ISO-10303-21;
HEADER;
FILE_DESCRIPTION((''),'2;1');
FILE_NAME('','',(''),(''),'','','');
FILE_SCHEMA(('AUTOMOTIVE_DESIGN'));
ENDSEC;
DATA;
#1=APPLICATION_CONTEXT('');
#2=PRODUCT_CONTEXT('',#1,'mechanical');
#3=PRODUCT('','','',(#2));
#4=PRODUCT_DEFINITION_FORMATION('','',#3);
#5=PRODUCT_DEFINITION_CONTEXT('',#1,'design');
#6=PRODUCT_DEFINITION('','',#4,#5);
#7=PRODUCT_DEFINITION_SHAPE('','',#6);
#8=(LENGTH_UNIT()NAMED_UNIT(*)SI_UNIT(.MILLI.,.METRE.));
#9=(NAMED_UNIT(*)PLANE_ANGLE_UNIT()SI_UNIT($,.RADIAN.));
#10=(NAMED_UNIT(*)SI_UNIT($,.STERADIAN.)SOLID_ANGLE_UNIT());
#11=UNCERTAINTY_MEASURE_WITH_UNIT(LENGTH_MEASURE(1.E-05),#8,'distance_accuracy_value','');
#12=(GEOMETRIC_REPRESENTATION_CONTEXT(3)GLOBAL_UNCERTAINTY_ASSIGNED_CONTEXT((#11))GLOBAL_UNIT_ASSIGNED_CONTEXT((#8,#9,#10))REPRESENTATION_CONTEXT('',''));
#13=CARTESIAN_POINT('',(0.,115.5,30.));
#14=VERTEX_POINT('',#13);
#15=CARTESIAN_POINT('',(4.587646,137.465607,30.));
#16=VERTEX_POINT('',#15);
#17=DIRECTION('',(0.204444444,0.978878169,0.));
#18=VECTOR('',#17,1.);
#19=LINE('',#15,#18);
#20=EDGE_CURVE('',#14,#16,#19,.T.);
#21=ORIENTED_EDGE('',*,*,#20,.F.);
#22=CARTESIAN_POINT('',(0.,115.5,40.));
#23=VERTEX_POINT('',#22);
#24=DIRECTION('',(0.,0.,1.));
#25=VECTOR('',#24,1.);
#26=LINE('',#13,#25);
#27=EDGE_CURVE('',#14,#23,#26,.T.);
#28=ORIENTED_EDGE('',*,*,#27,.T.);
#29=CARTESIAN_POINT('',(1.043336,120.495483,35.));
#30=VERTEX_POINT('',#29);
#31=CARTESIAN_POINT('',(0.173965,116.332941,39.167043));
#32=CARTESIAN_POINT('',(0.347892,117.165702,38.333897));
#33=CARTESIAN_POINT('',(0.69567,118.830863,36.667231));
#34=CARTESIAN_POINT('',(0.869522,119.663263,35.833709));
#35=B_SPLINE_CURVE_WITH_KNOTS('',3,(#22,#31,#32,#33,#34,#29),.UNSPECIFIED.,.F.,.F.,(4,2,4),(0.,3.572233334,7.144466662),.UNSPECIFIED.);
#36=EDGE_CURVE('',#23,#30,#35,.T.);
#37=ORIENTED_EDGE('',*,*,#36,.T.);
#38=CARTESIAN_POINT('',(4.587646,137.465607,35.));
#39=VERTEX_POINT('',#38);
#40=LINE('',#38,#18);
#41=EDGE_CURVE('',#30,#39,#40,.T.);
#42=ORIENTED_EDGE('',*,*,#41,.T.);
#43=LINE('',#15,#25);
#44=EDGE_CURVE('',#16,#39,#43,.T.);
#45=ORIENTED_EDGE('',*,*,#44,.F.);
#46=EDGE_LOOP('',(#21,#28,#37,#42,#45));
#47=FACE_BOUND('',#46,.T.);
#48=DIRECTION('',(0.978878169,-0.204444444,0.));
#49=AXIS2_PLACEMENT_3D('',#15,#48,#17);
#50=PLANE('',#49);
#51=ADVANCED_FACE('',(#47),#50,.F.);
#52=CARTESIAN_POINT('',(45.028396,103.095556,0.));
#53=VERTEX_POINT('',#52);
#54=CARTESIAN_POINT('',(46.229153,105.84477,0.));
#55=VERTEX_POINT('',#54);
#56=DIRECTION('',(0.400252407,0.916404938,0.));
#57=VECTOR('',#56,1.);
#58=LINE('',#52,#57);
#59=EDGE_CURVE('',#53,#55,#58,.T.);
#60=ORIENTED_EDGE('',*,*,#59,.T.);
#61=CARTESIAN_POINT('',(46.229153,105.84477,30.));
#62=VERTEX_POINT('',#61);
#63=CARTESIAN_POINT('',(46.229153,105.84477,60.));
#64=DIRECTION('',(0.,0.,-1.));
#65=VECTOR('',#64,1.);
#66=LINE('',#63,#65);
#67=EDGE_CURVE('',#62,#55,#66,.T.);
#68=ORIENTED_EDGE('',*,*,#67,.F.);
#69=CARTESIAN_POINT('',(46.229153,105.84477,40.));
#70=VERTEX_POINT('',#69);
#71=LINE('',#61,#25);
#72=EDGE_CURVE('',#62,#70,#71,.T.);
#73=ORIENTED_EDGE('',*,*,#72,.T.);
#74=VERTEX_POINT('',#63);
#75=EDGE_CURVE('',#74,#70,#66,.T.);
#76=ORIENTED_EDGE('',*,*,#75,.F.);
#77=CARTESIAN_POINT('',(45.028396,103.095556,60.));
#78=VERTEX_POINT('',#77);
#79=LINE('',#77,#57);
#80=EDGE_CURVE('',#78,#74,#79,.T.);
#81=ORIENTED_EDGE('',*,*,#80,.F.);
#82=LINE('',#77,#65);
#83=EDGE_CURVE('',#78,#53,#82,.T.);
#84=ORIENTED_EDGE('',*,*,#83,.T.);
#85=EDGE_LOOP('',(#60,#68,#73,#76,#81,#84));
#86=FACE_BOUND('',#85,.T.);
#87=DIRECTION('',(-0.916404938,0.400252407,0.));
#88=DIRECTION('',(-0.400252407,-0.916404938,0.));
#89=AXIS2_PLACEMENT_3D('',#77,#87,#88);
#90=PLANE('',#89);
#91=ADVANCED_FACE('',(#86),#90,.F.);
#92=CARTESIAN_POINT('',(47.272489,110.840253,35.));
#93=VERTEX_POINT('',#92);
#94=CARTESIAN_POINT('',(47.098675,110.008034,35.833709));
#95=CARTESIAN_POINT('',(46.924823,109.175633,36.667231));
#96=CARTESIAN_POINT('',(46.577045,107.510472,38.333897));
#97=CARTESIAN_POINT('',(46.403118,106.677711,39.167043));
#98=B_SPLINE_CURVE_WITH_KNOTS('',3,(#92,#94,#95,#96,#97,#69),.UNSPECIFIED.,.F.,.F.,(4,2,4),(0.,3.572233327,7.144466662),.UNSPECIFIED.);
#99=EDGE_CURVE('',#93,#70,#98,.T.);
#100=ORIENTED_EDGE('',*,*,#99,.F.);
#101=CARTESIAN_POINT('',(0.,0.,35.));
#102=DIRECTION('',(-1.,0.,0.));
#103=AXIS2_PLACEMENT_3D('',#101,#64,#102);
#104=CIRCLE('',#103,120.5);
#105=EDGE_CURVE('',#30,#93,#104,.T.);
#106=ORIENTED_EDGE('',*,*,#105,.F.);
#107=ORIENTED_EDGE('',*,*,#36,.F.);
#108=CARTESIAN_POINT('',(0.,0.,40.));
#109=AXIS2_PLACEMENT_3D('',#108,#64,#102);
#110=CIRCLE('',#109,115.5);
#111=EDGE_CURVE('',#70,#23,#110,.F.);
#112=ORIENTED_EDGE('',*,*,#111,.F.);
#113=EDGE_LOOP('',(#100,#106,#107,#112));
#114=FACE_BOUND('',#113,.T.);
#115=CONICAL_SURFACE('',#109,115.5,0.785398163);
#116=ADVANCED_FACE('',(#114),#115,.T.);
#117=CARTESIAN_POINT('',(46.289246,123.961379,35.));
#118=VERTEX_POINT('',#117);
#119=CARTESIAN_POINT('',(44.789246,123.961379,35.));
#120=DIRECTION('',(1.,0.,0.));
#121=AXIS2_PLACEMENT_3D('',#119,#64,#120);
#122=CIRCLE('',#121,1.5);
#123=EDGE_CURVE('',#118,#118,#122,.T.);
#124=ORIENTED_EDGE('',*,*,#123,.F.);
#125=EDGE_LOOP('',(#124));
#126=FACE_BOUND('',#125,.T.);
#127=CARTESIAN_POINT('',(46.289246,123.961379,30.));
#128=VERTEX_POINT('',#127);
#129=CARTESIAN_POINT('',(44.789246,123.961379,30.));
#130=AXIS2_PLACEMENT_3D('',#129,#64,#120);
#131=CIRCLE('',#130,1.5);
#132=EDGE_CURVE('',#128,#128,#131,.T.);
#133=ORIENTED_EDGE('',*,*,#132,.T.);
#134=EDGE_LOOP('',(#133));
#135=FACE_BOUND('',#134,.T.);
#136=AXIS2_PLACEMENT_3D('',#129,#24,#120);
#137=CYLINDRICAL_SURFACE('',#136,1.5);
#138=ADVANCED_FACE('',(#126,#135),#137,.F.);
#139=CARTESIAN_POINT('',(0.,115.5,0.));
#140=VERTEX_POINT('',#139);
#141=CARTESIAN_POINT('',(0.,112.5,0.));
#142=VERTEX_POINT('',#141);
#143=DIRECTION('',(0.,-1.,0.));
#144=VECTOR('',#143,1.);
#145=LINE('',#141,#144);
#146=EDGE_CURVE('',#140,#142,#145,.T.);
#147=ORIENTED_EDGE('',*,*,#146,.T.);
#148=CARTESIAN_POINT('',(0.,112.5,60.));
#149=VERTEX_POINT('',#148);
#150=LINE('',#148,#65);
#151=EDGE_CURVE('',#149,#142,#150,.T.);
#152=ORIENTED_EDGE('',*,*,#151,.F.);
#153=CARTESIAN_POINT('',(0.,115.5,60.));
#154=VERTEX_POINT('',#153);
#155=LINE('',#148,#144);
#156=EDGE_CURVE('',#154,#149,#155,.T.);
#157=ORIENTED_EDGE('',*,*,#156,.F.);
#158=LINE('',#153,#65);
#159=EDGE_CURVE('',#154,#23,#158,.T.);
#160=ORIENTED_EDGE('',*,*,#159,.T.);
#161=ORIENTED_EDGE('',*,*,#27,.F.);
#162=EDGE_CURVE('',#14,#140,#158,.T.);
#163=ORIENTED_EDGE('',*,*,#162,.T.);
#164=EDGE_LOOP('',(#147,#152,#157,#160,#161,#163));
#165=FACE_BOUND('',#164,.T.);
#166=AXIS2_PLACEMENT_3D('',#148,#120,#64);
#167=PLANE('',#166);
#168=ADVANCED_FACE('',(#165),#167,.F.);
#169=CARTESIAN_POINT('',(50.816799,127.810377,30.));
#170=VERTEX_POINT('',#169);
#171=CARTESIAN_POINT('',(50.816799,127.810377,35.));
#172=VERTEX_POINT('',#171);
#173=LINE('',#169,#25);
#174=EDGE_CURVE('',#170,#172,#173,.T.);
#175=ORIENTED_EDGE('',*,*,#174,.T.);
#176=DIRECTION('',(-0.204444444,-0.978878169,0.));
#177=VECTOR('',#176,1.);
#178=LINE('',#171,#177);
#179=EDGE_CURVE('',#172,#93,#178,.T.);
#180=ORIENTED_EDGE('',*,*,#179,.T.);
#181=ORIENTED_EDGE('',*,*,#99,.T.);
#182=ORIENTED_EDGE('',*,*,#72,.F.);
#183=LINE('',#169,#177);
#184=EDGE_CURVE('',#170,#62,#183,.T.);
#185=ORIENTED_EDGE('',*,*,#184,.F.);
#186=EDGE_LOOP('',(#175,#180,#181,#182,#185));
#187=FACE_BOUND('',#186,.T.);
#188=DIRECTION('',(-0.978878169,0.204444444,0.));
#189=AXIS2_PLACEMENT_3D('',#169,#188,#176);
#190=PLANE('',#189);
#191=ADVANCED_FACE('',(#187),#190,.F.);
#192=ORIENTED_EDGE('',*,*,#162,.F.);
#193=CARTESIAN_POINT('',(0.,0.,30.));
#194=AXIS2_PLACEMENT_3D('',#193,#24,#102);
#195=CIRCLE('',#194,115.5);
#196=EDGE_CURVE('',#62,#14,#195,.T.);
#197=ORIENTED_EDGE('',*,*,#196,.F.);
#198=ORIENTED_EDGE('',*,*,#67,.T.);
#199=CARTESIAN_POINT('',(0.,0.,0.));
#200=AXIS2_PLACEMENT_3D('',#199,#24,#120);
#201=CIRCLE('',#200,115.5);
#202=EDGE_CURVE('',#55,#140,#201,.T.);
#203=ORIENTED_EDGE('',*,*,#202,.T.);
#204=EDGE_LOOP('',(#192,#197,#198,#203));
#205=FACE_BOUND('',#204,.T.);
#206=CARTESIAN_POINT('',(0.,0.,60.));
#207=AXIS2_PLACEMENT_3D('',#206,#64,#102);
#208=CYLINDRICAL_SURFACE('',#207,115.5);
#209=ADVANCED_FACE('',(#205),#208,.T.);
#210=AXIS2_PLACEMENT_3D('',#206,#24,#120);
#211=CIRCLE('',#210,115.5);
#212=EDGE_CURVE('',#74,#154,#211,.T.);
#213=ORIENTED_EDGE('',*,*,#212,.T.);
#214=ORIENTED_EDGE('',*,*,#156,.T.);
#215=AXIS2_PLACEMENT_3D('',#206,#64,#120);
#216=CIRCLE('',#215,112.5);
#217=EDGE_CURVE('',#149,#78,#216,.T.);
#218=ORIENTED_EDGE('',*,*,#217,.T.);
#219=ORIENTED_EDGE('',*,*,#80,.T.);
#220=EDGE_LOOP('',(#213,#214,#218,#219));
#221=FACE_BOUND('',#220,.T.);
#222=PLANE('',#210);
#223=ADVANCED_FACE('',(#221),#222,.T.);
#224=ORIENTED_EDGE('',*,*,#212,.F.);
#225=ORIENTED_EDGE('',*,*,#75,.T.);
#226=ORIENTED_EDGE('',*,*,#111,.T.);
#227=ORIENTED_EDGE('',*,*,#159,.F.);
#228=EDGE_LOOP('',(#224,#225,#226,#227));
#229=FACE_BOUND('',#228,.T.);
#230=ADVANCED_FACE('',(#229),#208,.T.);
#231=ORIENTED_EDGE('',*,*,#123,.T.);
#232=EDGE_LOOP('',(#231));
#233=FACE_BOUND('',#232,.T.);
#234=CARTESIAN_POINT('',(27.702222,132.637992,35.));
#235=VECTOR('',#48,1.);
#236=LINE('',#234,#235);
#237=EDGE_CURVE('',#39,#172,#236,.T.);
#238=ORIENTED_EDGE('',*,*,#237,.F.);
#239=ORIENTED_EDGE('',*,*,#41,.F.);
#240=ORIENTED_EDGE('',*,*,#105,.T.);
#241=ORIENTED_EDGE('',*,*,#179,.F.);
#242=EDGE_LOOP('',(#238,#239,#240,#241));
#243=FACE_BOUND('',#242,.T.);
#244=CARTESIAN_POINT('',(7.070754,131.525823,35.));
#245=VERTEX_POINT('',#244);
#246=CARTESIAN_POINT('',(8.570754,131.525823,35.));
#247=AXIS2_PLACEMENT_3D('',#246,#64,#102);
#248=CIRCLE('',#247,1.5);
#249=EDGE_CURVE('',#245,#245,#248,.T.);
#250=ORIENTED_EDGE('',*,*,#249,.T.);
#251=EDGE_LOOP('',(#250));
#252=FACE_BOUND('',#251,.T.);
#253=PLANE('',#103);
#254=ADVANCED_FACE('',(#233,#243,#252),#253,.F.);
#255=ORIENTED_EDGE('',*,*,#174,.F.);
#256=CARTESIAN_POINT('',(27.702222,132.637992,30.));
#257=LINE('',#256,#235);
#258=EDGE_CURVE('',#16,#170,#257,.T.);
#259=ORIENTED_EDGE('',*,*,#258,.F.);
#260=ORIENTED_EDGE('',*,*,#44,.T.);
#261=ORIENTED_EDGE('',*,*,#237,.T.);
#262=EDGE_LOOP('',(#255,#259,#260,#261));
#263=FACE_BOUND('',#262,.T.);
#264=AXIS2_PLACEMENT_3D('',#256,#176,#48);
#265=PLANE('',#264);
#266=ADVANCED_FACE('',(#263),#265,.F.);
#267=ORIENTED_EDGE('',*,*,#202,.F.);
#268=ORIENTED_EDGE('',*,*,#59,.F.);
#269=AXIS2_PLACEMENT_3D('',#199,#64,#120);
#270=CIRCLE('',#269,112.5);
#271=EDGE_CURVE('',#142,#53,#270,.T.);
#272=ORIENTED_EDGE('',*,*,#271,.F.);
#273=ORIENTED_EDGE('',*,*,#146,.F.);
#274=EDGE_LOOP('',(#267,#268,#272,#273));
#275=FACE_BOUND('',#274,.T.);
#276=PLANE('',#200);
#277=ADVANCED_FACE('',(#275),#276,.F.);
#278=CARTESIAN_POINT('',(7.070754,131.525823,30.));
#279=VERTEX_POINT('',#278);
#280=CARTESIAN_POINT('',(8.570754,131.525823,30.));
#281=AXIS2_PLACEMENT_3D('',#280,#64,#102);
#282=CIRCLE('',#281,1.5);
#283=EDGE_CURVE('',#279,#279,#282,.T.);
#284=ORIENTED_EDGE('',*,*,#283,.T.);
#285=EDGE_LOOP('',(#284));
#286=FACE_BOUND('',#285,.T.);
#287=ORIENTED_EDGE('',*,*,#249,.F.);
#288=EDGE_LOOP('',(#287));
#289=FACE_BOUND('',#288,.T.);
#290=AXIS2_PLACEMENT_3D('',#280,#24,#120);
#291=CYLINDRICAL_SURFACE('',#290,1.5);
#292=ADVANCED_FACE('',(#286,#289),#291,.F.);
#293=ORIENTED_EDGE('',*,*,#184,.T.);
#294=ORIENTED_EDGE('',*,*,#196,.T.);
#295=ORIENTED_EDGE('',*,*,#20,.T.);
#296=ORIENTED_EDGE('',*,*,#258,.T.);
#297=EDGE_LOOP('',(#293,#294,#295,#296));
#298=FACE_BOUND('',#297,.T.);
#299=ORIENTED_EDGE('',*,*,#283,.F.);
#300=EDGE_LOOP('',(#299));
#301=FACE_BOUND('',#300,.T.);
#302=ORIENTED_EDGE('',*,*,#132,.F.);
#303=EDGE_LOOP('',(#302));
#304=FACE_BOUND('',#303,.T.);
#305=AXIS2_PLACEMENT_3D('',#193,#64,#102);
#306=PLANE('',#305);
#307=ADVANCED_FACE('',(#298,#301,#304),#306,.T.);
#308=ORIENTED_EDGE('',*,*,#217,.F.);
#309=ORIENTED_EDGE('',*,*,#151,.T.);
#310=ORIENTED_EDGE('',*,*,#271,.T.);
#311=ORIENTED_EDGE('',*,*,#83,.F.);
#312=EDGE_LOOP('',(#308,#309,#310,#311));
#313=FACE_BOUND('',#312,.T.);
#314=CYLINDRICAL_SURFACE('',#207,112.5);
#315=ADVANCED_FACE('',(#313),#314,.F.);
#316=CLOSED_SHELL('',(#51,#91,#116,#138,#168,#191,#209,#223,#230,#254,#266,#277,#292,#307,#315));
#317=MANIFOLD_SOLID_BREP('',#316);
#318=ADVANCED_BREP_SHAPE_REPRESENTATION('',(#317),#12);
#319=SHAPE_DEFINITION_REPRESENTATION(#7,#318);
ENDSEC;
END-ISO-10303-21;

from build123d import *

# Parameters (mm, degrees)
EXTRUDE_1_DEPTH = 60
EXTRUDE_START   = 5
SKETCH_2_R      = 1.5
EXTRUDE_2_DEPTH = 5
CHAMFER_1_SIZE  = 5


with BuildPart() as part:
    # 草图1 → 凸台-拉伸1 (new body)
    with BuildSketch(Plane.XY):
        with BuildLine():
            Line((0, 112.5), (0, 115.5))
            ThreePointArc((0, 115.5), (23.613333333, 113.060428484), (46.22915298, 105.84477037))
            Line((46.22915298, 105.84477037), (45.02839576, 103.095555556))
            ThreePointArc((45.02839576, 103.095555556), (23, 110.123793978), (0, 112.5))
        make_face()
    extrude(amount=EXTRUDE_1_DEPTH)

    # 草图2 → 凸台-拉伸2 (add)
    with BuildSketch(Plane(origin=(0, 0, 35), x_dir=(-1, 0, 0), z_dir=(0, 0, -1)).offset(EXTRUDE_START)):
        with BuildLine():
            Line((-27.702222222, 132.637991857), (-4.587645732, 137.465606672))
            Line((-4.587645732, 137.465606672), (0, 115.5))
            ThreePointArc((0, 115.5), (-23.613333333, 113.060428484), (-46.22915298, 105.84477037))
            Line((-46.22915298, 105.84477037), (-50.816798712, 127.810377043))
            Line((-50.816798712, 127.810377043), (-27.702222222, 132.637991857))
        make_face()
        with Locations((-8.570753879, 131.525823236)):
            Circle(SKETCH_2_R, mode=Mode.SUBTRACT)
        with Locations(Location((-44.789246121, 123.961378792, 0), (0, 0, 180))):
            Circle(SKETCH_2_R, mode=Mode.SUBTRACT)
    extrude(amount=-EXTRUDE_2_DEPTH)

    # 倒角1
    chamfer_1_edges = [part.edges().sort_by_distance(p)[0] for p in [
        (23.613333333, 113.060428484, 35),
    ]]
    chamfer(chamfer_1_edges, length=CHAMFER_1_SIZE)


solid = part.part
